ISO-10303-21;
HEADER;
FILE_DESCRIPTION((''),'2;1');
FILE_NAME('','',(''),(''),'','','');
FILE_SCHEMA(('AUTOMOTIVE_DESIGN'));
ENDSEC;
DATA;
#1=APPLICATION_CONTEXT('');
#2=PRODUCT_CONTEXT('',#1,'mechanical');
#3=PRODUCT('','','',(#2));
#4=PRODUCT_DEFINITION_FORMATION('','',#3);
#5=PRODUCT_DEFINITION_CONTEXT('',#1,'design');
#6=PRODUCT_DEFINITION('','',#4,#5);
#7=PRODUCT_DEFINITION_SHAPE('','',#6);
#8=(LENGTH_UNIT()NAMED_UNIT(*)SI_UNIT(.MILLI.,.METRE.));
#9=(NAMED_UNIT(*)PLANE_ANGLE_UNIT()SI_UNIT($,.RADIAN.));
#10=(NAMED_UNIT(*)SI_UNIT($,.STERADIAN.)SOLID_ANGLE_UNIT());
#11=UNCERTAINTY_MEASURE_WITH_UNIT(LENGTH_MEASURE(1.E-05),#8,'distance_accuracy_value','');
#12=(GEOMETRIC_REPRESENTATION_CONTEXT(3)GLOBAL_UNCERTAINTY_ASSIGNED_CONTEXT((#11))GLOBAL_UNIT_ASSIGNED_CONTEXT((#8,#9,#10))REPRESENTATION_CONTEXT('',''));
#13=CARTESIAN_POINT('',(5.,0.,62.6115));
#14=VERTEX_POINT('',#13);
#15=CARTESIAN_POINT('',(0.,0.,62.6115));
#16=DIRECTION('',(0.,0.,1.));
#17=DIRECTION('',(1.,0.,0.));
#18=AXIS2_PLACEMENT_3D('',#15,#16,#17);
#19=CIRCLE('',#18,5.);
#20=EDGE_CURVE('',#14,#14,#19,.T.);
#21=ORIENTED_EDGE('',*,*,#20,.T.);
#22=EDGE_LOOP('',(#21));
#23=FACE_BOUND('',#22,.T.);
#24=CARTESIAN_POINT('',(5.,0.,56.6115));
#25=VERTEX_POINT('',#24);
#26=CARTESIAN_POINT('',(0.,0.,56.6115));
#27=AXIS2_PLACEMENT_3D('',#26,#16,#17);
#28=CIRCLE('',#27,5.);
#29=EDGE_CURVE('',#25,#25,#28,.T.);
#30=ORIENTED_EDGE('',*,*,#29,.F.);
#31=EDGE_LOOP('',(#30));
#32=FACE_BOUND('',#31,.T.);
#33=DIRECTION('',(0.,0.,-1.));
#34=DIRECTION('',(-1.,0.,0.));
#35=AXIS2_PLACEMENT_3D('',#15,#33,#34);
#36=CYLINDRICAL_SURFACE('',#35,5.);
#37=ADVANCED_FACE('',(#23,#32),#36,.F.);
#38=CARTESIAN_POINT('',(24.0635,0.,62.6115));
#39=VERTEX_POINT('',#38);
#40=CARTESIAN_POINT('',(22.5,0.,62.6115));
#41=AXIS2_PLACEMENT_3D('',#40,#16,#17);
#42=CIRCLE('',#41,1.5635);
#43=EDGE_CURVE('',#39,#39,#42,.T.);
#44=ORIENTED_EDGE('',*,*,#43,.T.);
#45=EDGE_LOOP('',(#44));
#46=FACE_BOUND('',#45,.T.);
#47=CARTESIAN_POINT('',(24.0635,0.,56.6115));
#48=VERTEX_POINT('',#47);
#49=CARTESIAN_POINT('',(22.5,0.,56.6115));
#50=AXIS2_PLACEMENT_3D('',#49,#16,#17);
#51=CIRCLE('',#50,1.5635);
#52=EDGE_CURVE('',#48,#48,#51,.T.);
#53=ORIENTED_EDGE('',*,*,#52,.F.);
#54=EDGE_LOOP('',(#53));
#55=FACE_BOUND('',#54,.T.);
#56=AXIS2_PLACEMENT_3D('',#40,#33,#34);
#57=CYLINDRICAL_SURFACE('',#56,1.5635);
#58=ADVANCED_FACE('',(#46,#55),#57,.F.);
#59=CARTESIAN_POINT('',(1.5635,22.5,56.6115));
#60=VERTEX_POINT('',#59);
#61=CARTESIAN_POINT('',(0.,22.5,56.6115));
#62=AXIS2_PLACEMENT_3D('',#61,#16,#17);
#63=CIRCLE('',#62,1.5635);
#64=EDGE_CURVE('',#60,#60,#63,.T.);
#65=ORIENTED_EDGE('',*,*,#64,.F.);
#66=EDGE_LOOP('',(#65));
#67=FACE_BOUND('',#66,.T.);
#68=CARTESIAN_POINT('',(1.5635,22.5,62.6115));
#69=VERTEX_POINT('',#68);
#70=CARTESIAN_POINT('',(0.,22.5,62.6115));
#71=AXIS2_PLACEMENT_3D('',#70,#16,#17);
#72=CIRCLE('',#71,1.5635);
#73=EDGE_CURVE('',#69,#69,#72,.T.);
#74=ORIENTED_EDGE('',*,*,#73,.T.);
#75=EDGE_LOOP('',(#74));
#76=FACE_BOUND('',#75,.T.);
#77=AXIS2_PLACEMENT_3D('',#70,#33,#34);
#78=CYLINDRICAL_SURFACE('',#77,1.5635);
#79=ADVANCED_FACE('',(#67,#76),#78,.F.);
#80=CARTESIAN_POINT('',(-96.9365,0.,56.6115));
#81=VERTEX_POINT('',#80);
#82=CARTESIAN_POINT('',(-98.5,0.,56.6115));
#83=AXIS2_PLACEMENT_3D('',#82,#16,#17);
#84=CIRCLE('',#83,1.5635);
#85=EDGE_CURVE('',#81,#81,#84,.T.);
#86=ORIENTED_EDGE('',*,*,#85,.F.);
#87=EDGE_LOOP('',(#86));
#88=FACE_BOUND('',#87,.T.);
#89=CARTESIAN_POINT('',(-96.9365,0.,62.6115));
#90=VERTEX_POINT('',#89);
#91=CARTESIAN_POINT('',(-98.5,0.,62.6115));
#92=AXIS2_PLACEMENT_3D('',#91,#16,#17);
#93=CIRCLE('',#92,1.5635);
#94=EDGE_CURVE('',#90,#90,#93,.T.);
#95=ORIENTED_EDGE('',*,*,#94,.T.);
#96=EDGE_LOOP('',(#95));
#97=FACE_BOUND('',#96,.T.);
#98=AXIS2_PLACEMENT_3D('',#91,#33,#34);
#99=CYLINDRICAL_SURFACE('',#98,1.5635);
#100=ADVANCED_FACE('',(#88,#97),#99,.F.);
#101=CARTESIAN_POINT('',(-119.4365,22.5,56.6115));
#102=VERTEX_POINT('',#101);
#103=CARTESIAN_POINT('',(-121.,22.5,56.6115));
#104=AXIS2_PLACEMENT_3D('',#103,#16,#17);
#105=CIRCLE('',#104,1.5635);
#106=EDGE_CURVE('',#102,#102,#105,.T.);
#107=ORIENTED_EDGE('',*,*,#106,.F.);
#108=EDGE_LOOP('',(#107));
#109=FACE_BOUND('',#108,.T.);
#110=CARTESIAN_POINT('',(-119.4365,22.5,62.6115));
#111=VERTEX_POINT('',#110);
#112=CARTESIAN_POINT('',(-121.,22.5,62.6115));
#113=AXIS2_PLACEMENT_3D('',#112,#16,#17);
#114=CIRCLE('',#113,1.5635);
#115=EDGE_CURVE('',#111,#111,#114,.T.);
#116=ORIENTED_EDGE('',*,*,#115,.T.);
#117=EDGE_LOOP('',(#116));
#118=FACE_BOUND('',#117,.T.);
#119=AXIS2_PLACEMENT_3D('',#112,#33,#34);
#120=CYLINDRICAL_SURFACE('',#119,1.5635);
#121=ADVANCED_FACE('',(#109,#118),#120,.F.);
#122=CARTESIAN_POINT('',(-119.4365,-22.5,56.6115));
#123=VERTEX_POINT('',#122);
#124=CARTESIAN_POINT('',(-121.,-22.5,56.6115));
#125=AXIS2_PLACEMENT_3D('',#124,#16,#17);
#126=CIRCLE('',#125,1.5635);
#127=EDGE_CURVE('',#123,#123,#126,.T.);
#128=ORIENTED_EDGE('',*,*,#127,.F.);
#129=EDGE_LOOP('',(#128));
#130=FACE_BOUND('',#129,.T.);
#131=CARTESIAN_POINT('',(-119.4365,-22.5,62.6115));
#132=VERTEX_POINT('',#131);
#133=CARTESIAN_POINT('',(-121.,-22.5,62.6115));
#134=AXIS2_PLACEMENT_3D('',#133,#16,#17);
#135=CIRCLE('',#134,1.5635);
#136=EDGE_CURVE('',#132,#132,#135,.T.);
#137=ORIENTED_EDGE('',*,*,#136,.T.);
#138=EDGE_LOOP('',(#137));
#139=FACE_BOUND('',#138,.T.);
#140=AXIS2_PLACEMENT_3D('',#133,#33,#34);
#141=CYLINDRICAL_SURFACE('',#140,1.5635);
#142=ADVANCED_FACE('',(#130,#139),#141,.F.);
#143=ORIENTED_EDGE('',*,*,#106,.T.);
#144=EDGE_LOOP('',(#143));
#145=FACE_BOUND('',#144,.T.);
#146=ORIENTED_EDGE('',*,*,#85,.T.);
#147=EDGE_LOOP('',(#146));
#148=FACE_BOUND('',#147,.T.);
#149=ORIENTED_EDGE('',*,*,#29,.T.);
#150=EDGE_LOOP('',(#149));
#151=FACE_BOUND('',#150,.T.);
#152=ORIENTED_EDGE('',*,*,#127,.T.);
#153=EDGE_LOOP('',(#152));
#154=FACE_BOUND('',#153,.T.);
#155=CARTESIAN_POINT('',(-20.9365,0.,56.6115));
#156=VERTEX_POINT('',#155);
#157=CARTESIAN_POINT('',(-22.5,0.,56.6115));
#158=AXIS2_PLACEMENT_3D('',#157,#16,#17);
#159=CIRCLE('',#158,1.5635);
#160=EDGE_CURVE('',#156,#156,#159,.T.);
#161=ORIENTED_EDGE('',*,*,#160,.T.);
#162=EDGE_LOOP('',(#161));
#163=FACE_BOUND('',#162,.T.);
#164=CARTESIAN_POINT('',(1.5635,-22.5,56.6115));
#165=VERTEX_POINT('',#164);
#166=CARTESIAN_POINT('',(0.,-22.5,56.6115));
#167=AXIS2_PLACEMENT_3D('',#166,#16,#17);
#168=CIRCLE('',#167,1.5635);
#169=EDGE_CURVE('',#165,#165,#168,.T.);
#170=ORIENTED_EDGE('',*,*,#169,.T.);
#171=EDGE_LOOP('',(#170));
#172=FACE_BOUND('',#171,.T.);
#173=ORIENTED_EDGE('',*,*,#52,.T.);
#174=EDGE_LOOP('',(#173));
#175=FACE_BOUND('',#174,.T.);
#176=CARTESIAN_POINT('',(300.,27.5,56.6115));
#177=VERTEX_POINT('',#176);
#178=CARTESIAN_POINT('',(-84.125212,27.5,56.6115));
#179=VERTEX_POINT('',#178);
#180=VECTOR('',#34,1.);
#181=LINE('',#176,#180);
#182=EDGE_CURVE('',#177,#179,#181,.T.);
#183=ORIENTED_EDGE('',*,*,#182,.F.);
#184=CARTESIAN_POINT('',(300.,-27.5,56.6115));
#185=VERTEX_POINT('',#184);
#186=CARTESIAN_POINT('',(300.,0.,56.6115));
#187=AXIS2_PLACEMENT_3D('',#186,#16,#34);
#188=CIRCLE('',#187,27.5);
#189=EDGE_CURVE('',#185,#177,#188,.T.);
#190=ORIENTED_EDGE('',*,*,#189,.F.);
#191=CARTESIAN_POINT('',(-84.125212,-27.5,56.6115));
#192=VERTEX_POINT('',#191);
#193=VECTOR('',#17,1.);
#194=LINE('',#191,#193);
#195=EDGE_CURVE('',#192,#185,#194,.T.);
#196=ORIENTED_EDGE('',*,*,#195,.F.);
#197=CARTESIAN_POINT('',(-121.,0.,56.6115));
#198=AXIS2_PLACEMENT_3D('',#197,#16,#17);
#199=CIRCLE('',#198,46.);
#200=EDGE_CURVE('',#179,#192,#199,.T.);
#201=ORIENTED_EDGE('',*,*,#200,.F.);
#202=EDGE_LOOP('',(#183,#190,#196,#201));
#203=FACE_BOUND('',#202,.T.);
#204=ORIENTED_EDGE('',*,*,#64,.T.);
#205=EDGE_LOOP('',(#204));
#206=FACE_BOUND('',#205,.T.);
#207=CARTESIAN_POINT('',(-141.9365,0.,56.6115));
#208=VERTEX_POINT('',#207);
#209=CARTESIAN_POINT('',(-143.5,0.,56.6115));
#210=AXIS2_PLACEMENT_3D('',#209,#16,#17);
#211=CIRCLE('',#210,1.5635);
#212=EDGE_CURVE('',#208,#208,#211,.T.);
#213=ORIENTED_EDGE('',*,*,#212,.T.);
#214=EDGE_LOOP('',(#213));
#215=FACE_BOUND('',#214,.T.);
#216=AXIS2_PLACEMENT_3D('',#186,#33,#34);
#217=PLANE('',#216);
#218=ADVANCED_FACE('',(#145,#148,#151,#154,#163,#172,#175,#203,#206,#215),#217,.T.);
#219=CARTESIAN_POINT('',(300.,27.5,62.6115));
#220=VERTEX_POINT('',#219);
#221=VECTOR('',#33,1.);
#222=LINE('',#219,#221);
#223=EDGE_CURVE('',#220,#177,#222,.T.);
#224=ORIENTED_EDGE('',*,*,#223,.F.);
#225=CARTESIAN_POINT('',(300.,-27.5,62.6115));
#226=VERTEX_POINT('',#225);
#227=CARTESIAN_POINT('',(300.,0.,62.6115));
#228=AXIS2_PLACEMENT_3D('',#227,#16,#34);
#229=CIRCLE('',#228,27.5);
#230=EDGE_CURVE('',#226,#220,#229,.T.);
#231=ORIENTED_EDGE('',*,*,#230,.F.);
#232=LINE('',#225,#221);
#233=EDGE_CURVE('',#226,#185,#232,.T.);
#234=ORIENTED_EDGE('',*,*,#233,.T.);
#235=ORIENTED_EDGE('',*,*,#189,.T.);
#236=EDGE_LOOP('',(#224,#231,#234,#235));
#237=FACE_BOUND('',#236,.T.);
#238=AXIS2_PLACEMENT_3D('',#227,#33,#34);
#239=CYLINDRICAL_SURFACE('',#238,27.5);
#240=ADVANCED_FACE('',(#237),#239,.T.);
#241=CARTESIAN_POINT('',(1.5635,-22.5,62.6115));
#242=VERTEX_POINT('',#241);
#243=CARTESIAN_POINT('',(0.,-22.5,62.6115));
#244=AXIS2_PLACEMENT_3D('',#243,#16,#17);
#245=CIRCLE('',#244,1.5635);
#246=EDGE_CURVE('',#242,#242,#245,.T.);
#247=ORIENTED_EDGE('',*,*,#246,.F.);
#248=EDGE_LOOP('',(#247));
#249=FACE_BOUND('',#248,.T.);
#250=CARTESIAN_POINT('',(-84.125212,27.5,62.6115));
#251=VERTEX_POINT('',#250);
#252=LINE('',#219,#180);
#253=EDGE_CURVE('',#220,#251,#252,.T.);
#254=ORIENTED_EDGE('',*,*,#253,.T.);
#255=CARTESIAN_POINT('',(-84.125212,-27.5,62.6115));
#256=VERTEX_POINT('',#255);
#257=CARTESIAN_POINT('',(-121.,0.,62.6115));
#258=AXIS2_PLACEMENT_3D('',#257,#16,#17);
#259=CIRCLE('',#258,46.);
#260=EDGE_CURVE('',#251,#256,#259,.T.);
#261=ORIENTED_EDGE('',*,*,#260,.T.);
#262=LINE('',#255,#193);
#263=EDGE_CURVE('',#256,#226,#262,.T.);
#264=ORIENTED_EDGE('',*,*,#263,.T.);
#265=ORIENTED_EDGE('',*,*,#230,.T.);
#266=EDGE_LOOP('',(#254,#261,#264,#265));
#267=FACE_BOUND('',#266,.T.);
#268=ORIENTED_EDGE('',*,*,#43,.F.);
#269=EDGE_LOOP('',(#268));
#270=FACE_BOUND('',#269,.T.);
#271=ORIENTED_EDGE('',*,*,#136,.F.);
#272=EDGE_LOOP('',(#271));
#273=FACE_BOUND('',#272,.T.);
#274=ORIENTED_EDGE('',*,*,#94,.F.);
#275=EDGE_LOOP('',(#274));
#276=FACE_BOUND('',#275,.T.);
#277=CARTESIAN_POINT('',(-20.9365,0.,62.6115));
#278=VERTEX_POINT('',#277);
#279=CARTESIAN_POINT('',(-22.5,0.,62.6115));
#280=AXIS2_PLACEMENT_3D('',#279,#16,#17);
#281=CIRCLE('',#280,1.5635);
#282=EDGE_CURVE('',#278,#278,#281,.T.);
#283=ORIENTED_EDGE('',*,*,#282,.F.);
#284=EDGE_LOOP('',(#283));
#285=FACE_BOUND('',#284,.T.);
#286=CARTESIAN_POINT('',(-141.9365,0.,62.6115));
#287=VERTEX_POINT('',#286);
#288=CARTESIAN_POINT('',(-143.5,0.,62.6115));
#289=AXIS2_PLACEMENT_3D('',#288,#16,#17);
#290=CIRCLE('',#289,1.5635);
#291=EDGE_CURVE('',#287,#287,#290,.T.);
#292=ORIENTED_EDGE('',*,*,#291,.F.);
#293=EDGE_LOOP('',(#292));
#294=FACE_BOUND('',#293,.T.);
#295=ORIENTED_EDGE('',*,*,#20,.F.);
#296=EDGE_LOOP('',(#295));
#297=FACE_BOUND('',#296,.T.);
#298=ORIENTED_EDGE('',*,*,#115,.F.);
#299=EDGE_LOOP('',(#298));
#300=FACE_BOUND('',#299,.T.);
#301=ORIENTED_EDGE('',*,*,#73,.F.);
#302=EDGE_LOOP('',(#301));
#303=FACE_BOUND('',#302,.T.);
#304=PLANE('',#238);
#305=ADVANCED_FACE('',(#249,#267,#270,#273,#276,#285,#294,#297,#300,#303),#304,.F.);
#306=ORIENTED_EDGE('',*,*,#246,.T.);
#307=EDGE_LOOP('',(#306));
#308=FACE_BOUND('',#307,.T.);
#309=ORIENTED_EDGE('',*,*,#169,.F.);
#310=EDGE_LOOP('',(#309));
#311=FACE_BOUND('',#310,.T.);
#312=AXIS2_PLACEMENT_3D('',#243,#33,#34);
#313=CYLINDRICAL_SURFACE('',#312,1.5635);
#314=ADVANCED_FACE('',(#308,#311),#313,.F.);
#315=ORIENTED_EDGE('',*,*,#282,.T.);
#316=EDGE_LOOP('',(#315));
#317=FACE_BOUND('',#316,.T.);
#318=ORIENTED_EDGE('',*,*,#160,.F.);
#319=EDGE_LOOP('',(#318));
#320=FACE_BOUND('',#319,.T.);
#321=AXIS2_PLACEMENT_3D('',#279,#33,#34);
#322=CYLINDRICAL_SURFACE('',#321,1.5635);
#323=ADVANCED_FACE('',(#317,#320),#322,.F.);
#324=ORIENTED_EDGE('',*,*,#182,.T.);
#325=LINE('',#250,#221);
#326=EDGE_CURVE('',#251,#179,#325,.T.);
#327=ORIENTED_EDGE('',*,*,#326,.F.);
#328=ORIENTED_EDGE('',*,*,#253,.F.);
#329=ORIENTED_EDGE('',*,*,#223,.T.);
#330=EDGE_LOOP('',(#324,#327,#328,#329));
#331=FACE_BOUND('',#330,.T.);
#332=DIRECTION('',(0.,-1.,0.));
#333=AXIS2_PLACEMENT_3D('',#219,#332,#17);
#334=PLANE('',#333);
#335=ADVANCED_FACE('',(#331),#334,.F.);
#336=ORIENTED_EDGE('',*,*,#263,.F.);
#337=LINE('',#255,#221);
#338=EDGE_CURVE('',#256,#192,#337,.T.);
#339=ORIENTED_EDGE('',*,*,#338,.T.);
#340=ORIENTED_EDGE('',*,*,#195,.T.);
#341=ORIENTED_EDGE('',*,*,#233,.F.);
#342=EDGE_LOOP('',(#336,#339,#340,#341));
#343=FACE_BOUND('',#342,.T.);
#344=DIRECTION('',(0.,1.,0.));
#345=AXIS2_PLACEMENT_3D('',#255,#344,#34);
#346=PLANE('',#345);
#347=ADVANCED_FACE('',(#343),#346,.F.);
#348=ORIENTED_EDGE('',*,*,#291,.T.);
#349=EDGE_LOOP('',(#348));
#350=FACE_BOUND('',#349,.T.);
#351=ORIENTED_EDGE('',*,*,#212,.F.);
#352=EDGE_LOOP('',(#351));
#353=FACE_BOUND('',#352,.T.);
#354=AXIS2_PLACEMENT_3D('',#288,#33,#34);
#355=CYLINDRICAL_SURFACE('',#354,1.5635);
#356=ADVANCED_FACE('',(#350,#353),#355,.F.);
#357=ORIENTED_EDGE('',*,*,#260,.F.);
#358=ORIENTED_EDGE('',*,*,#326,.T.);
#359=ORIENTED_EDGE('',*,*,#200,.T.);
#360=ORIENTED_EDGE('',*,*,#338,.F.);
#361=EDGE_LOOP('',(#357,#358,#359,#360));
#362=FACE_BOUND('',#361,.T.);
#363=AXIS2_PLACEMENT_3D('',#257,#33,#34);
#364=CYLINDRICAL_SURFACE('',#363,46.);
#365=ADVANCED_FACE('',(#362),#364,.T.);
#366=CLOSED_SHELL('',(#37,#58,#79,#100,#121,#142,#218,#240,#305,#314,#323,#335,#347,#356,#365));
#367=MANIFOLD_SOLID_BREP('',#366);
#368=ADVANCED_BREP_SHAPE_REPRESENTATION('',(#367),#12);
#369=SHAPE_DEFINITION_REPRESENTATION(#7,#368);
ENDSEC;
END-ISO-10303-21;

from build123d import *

# Parameters (mm, degrees)
BOSS_EXTRUDE1_START = 56.6115
SKETCH2_R           = 1.5635
SKETCH2_R_2         = 5
BOSS_EXTRUDE1_DEPTH = 6


with BuildPart() as part:
    # Sketch2 → Boss-Extrude1 (new body)
    with BuildSketch(Plane.XY.offset(BOSS_EXTRUDE1_START)):
        with BuildLine():
            Line((300, 27.5), (-84.125211865, 27.5))
            ThreePointArc((-84.125211865, 27.5), (-167, 0), (-84.125211865, -27.5))
            Line((-84.125211865, -27.5), (300, -27.5))
            ThreePointArc((300, -27.5), (327.5, 0), (300, 27.5))
        make_face()
        with Locations((0, 22.5)):
            Circle(SKETCH2_R, mode=Mode.SUBTRACT)
        with Locations((22.5, 0)):
            Circle(SKETCH2_R, mode=Mode.SUBTRACT)
        with Locations((0, -22.5)):
            Circle(SKETCH2_R, mode=Mode.SUBTRACT)
        with Locations((-22.5, 0)):
            Circle(SKETCH2_R, mode=Mode.SUBTRACT)
        with Locations((-121, -22.5)):
            Circle(SKETCH2_R, mode=Mode.SUBTRACT)
        with Locations((-143.5, 0)):
            Circle(SKETCH2_R, mode=Mode.SUBTRACT)
        with Locations((-121, 22.5)):
            Circle(SKETCH2_R, mode=Mode.SUBTRACT)
        with Locations((-98.5, 0)):
            Circle(SKETCH2_R, mode=Mode.SUBTRACT)
        Circle(SKETCH2_R_2, mode=Mode.SUBTRACT)
    extrude(amount=BOSS_EXTRUDE1_DEPTH)


solid = part.part
